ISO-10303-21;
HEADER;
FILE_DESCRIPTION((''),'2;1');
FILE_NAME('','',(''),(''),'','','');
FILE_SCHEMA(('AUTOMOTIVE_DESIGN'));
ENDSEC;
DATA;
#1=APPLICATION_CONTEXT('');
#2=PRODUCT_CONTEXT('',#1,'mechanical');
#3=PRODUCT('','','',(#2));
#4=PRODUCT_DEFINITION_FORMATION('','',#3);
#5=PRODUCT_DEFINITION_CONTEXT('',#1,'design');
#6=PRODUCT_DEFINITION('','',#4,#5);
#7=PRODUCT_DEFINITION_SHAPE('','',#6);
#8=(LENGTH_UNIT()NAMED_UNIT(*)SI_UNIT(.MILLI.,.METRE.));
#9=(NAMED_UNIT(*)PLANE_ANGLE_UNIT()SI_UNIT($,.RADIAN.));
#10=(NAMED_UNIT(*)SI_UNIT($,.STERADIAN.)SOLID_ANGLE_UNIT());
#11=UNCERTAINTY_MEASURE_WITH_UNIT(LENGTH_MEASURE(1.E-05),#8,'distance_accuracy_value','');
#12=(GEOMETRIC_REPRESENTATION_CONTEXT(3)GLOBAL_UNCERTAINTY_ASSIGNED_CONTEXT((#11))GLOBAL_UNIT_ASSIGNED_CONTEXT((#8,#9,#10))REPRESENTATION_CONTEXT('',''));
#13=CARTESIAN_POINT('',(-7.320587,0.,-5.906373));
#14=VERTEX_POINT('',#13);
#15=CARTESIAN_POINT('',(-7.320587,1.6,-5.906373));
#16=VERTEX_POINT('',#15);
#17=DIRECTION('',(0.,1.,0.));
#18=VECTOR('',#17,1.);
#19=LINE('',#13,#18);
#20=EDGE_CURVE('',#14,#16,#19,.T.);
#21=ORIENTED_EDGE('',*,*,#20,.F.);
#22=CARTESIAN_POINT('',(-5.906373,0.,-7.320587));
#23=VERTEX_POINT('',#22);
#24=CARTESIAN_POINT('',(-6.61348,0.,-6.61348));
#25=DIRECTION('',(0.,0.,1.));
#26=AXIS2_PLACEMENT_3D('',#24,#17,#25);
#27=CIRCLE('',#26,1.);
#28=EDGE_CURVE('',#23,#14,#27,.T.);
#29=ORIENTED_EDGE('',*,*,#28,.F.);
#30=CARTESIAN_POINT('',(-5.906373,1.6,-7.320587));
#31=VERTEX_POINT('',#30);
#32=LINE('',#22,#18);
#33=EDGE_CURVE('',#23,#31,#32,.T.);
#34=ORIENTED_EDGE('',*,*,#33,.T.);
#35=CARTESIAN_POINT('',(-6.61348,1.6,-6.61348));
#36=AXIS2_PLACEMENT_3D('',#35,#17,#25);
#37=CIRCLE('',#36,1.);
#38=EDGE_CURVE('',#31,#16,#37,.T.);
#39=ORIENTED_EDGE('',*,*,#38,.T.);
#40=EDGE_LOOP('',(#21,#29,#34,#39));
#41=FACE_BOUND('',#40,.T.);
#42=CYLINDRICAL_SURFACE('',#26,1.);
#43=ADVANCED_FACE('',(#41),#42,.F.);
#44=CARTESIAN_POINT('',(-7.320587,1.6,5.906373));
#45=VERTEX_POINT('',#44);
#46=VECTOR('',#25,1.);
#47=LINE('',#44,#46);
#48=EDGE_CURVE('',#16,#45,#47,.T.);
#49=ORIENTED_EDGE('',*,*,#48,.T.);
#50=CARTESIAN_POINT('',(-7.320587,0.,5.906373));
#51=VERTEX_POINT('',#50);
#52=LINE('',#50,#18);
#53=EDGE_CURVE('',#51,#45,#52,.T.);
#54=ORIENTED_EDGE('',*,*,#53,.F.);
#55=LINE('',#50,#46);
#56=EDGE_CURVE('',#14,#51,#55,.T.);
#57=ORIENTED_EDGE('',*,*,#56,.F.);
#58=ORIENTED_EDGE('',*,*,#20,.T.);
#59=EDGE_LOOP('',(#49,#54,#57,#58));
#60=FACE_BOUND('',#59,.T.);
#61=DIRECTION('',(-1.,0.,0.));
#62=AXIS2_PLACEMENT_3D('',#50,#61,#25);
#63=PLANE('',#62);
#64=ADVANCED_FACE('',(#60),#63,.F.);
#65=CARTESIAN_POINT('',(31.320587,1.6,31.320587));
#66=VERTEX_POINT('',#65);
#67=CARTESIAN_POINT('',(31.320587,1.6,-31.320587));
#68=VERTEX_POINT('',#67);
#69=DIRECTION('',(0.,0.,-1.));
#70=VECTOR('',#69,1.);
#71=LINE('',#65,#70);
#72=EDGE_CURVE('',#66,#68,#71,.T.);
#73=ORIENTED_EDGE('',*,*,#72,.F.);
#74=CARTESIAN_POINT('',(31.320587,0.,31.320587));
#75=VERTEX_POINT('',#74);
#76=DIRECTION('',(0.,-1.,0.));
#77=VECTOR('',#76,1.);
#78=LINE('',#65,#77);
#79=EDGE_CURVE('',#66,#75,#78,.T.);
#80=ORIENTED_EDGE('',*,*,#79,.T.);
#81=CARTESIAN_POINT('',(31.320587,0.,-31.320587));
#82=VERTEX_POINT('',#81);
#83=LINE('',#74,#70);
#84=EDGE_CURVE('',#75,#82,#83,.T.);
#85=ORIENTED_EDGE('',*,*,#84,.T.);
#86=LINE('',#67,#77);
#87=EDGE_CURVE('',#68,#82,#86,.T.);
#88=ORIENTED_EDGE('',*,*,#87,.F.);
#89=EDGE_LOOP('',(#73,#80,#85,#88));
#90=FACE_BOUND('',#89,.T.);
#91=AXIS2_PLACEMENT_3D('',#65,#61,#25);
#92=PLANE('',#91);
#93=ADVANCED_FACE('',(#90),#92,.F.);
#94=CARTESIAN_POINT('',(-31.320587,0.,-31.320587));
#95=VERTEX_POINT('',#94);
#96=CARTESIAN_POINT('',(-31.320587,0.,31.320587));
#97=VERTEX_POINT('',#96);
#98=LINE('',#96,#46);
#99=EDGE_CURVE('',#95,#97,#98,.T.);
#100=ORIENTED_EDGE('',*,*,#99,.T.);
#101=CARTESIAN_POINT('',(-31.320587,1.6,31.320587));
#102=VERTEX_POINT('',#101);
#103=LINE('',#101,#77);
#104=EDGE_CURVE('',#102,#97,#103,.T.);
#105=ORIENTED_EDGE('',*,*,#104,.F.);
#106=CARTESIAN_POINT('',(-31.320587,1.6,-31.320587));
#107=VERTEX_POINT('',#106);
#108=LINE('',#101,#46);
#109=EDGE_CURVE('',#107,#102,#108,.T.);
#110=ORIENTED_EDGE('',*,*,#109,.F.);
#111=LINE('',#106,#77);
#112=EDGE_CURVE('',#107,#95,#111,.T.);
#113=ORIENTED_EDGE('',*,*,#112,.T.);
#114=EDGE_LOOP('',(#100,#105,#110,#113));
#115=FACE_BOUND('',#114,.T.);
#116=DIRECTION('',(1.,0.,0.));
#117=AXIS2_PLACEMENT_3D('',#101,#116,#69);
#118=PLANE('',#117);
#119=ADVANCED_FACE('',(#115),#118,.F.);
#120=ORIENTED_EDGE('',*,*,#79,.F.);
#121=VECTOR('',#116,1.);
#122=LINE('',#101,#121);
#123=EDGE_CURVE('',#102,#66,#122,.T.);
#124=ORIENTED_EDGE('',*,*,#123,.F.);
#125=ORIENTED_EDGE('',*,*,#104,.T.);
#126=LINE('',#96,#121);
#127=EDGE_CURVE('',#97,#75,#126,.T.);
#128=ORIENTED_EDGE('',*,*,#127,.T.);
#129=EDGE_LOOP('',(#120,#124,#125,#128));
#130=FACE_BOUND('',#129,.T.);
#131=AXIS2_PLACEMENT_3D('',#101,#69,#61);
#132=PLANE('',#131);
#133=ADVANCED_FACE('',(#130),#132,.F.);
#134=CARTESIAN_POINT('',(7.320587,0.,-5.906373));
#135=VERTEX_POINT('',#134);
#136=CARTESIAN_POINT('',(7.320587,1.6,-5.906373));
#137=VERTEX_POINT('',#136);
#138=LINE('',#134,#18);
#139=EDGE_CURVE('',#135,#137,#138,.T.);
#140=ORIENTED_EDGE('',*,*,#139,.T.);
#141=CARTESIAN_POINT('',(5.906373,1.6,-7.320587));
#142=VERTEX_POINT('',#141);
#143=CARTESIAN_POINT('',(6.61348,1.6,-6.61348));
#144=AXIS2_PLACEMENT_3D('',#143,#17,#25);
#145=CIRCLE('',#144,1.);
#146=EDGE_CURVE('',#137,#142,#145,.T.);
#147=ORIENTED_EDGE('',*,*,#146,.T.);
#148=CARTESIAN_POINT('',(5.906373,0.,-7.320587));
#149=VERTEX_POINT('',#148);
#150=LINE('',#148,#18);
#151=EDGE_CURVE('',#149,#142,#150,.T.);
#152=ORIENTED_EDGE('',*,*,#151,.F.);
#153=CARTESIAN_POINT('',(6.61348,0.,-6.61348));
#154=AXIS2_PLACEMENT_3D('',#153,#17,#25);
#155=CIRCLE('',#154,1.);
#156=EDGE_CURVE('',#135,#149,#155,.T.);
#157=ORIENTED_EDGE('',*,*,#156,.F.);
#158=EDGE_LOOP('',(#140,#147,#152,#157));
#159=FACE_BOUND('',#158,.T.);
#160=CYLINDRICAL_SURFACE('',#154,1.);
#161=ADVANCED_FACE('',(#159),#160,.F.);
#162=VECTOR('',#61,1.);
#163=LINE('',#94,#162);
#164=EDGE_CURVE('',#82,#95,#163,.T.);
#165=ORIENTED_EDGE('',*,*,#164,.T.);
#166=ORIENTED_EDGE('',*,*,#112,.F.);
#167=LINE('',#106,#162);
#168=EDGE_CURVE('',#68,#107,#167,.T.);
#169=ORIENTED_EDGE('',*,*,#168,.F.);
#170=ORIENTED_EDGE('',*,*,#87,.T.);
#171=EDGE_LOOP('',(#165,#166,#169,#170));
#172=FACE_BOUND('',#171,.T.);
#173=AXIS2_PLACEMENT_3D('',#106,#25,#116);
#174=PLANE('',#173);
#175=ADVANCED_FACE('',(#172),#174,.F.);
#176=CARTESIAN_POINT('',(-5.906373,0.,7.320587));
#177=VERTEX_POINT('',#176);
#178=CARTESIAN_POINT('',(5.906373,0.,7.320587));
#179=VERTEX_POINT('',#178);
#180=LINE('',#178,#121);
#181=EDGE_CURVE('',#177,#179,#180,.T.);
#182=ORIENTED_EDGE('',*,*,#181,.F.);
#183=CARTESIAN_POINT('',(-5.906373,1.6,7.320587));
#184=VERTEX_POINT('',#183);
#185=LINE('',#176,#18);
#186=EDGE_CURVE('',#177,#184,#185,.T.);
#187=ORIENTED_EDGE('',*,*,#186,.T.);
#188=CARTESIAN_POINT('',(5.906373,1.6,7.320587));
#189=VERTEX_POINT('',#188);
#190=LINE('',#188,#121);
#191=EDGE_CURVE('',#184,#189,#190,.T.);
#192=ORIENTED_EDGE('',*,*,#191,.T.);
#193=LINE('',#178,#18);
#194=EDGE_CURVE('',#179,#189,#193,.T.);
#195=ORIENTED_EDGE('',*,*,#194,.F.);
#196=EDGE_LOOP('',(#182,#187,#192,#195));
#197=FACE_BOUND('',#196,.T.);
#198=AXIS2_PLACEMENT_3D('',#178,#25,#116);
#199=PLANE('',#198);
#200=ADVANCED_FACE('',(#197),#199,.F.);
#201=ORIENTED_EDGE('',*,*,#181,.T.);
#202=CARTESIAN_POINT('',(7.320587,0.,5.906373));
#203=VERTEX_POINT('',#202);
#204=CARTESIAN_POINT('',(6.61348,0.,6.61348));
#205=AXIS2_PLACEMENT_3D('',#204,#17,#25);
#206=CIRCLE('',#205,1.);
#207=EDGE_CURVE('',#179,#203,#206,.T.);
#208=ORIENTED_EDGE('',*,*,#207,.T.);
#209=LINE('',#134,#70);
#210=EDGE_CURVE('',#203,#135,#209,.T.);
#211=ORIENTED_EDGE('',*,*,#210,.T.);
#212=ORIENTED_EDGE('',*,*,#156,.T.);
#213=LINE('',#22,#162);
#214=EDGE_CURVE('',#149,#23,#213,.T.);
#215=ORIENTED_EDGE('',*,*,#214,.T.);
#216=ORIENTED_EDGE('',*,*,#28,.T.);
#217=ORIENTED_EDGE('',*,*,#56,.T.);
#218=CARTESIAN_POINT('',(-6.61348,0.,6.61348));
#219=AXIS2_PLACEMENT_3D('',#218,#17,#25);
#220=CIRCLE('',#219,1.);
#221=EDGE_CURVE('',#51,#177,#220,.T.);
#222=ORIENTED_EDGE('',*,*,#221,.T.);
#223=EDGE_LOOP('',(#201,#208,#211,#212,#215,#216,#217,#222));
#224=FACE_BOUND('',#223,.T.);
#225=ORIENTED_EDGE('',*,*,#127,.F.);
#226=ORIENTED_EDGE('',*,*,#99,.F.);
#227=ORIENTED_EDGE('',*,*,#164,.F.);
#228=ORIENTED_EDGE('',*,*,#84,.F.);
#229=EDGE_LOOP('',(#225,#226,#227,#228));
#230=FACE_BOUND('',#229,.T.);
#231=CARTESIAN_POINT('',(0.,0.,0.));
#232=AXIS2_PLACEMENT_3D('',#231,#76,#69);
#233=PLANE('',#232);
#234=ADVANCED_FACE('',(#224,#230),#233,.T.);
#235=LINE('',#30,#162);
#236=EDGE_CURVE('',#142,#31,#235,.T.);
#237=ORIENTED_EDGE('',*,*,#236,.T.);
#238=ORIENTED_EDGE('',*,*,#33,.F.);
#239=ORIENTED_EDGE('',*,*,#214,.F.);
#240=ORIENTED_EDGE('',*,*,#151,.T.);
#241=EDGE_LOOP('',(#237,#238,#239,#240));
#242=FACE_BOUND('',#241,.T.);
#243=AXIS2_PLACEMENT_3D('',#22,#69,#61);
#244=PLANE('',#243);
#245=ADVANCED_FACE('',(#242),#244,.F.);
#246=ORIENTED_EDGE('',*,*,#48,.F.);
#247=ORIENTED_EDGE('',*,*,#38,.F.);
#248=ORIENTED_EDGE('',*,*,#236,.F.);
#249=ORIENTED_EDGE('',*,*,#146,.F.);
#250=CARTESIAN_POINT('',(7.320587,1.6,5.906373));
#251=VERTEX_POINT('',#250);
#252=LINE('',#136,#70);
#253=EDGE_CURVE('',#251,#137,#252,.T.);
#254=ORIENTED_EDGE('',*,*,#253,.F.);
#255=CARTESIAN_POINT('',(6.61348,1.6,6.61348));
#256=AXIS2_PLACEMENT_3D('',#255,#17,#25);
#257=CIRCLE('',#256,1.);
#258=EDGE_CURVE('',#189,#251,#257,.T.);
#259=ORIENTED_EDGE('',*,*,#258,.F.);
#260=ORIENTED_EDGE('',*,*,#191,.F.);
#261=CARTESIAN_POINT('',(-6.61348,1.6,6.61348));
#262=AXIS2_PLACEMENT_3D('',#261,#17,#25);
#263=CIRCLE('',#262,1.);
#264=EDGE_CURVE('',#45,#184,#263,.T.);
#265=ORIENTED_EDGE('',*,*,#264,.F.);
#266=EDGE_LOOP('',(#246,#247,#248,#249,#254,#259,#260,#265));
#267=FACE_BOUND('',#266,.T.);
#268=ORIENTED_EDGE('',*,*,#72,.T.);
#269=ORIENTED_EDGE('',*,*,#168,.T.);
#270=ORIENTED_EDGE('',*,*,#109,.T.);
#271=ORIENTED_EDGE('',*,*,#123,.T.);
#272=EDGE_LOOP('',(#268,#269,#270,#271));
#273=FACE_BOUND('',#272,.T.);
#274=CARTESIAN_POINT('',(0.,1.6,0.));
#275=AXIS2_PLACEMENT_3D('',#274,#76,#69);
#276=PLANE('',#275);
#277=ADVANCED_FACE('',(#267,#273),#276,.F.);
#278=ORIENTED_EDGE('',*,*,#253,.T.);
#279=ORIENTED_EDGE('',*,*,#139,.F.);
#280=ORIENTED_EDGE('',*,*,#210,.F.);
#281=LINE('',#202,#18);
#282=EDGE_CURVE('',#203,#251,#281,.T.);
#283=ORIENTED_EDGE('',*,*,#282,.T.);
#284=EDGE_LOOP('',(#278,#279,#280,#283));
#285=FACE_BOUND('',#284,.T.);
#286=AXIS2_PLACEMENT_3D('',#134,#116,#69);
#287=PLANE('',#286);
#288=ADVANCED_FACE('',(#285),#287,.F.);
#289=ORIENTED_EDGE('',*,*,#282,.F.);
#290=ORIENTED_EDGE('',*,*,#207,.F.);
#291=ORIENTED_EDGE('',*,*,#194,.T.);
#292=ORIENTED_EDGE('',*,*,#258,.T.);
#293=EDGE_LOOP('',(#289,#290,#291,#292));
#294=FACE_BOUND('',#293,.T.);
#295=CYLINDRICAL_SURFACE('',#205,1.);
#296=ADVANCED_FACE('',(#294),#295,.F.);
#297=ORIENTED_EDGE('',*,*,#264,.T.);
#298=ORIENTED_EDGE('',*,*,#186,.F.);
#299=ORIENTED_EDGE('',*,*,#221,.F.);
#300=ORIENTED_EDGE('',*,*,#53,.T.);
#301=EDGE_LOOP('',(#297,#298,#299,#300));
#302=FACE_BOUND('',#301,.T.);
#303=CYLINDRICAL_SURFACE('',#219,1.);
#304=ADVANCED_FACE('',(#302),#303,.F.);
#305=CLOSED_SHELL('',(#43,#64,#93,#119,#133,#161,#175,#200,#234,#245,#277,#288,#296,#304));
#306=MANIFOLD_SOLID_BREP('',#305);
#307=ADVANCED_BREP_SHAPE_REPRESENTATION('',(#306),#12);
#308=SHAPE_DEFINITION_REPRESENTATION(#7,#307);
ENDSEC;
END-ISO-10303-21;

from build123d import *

# Parameters (mm, degrees)
SKETCH_1_W          = 62.64117319
SKETCH_1_H          = 62.64117319
EXTRUDE_1_DEPTH     = 1.6
CUT_EXTRUDE_1_DEPTH = 1.6


with BuildPart() as part:
    # 草图1 → 凸台-拉伸1 (new body)
    with BuildSketch(Plane(origin=(0, 0, 0), x_dir=(1, 0, 0), z_dir=(0, 1, 0))):
        Rectangle(SKETCH_1_W, SKETCH_1_H)
    extrude(amount=EXTRUDE_1_DEPTH)

    # 草图2 → 切除-拉伸1 (cut)
    with BuildSketch(Plane(origin=(0, 1.6, 0), x_dir=(1, 0, 0), z_dir=(0, 1, 0))):
        with BuildLine():
            Line((-5.906373033, 7.320586595), (5.906373033, 7.320586595))
            ThreePointArc((5.906373033, 7.320586595), (7.320586595, 7.320586595), (7.320586595, 5.906373033))
            Line((7.320586595, 5.906373033), (7.320586595, -5.906373033))
            ThreePointArc((7.320586595, -5.906373033), (7.320586595, -7.320586595), (5.906373033, -7.320586595))
            Line((5.906373033, -7.320586595), (-5.906373033, -7.320586595))
            ThreePointArc((-5.906373033, -7.320586595), (-7.320586595, -7.320586595), (-7.320586595, -5.906373033))
            Line((-7.320586595, -5.906373033), (-7.320586595, 5.906373033))
            ThreePointArc((-7.320586595, 5.906373033), (-7.320586595, 7.320586595), (-5.906373033, 7.320586595))
        make_face()
    extrude(amount=-CUT_EXTRUDE_1_DEPTH, mode=Mode.SUBTRACT)


solid = part.part
